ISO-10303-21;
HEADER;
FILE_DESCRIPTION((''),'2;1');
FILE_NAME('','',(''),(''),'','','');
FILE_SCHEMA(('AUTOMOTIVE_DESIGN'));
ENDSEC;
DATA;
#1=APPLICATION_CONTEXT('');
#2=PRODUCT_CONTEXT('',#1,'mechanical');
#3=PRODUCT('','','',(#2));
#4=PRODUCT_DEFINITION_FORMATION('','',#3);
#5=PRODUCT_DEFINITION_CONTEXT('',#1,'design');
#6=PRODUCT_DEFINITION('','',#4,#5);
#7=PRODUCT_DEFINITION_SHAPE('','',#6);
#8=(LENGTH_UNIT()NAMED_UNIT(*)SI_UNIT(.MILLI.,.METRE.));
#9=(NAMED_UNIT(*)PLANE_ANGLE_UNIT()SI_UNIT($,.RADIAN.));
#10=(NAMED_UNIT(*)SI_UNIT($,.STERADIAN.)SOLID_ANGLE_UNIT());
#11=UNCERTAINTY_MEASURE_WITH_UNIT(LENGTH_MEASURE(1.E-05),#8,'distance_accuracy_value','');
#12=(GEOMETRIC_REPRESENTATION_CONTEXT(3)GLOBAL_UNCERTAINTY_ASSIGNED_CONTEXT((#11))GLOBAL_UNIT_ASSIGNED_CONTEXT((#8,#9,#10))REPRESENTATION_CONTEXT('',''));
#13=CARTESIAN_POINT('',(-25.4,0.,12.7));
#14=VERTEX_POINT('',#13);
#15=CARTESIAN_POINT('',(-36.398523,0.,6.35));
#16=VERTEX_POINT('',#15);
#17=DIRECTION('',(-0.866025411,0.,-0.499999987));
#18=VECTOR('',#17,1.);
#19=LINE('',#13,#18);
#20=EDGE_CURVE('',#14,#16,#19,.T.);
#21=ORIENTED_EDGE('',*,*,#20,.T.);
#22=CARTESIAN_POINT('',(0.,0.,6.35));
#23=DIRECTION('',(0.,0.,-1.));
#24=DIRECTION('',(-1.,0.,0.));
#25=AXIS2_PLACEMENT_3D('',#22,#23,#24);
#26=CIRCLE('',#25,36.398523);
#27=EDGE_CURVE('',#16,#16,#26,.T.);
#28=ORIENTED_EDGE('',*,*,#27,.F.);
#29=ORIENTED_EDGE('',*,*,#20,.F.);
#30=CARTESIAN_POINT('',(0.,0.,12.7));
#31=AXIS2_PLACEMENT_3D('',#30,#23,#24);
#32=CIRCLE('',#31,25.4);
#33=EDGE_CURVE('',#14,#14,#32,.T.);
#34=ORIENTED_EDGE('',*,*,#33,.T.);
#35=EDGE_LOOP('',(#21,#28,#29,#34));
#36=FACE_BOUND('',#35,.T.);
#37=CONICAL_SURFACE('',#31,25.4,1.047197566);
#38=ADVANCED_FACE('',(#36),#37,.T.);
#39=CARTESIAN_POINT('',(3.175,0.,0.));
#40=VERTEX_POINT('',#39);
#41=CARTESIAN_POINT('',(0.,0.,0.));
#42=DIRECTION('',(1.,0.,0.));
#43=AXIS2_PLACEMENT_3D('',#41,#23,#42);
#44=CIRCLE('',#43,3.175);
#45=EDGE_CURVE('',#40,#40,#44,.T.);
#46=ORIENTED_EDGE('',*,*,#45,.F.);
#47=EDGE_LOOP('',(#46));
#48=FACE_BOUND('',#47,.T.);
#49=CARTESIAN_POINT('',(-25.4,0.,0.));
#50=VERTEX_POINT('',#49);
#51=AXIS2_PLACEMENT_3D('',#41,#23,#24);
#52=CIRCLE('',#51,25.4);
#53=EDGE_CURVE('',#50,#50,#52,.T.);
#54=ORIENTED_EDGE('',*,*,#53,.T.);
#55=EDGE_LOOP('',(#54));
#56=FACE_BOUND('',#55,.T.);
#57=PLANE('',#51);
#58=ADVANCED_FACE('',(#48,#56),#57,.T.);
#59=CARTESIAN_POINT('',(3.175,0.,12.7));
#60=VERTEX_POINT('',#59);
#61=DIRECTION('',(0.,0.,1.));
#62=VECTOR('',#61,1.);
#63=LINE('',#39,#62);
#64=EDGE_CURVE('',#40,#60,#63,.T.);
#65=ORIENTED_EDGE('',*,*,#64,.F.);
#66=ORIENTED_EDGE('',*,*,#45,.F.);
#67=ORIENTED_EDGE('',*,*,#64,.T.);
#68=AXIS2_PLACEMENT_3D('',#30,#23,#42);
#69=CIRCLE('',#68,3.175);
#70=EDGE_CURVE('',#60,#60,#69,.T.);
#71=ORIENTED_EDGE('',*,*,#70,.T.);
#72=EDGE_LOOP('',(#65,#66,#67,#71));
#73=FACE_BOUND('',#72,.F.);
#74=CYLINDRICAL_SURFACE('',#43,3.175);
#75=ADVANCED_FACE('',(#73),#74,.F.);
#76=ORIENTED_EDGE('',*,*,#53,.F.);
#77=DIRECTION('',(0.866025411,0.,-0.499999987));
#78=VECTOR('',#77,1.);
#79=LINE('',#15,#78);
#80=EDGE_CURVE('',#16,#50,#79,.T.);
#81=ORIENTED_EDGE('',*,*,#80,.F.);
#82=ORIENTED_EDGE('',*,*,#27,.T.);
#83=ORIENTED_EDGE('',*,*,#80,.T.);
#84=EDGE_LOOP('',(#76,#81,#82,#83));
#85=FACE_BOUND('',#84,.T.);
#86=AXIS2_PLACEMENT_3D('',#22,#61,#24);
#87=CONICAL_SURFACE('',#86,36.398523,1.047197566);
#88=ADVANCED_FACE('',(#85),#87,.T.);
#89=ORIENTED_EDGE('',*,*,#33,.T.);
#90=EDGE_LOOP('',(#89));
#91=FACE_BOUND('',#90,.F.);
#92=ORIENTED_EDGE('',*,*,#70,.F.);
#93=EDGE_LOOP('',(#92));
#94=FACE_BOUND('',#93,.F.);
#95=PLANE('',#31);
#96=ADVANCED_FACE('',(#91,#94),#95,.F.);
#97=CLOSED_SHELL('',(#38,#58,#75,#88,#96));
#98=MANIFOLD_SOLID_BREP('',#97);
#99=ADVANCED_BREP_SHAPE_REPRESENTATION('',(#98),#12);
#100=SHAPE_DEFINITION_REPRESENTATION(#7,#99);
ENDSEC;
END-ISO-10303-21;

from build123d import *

# Parameters (mm, degrees)
F0_W     = 25.4
F0_H     = 12.7
F2_R     = 3.175
F3_DEPTH = 12.7


with BuildPart() as f1:
    # F0 (on Front) → F1 (revolve)
    with BuildSketch(Plane.XZ):
        with Locations((-12.7, 6.35)):
            Rectangle(F0_W, F0_H)
        Polygon((-25.4, 0), (-25.4, 12.7), (-36.398523, 6.35), align=None)
    revolve(axis=Axis((0, 0, 6.35), (0, 0, -1)))

    # F2 (on face) → F3 (cut)
    with BuildSketch(Plane(origin=(0, 0, 0), x_dir=(1, 0, 0), z_dir=(0, 0, -1))):
        Circle(F2_R)
    extrude(amount=-F3_DEPTH, mode=Mode.SUBTRACT)


solid = f1.part
